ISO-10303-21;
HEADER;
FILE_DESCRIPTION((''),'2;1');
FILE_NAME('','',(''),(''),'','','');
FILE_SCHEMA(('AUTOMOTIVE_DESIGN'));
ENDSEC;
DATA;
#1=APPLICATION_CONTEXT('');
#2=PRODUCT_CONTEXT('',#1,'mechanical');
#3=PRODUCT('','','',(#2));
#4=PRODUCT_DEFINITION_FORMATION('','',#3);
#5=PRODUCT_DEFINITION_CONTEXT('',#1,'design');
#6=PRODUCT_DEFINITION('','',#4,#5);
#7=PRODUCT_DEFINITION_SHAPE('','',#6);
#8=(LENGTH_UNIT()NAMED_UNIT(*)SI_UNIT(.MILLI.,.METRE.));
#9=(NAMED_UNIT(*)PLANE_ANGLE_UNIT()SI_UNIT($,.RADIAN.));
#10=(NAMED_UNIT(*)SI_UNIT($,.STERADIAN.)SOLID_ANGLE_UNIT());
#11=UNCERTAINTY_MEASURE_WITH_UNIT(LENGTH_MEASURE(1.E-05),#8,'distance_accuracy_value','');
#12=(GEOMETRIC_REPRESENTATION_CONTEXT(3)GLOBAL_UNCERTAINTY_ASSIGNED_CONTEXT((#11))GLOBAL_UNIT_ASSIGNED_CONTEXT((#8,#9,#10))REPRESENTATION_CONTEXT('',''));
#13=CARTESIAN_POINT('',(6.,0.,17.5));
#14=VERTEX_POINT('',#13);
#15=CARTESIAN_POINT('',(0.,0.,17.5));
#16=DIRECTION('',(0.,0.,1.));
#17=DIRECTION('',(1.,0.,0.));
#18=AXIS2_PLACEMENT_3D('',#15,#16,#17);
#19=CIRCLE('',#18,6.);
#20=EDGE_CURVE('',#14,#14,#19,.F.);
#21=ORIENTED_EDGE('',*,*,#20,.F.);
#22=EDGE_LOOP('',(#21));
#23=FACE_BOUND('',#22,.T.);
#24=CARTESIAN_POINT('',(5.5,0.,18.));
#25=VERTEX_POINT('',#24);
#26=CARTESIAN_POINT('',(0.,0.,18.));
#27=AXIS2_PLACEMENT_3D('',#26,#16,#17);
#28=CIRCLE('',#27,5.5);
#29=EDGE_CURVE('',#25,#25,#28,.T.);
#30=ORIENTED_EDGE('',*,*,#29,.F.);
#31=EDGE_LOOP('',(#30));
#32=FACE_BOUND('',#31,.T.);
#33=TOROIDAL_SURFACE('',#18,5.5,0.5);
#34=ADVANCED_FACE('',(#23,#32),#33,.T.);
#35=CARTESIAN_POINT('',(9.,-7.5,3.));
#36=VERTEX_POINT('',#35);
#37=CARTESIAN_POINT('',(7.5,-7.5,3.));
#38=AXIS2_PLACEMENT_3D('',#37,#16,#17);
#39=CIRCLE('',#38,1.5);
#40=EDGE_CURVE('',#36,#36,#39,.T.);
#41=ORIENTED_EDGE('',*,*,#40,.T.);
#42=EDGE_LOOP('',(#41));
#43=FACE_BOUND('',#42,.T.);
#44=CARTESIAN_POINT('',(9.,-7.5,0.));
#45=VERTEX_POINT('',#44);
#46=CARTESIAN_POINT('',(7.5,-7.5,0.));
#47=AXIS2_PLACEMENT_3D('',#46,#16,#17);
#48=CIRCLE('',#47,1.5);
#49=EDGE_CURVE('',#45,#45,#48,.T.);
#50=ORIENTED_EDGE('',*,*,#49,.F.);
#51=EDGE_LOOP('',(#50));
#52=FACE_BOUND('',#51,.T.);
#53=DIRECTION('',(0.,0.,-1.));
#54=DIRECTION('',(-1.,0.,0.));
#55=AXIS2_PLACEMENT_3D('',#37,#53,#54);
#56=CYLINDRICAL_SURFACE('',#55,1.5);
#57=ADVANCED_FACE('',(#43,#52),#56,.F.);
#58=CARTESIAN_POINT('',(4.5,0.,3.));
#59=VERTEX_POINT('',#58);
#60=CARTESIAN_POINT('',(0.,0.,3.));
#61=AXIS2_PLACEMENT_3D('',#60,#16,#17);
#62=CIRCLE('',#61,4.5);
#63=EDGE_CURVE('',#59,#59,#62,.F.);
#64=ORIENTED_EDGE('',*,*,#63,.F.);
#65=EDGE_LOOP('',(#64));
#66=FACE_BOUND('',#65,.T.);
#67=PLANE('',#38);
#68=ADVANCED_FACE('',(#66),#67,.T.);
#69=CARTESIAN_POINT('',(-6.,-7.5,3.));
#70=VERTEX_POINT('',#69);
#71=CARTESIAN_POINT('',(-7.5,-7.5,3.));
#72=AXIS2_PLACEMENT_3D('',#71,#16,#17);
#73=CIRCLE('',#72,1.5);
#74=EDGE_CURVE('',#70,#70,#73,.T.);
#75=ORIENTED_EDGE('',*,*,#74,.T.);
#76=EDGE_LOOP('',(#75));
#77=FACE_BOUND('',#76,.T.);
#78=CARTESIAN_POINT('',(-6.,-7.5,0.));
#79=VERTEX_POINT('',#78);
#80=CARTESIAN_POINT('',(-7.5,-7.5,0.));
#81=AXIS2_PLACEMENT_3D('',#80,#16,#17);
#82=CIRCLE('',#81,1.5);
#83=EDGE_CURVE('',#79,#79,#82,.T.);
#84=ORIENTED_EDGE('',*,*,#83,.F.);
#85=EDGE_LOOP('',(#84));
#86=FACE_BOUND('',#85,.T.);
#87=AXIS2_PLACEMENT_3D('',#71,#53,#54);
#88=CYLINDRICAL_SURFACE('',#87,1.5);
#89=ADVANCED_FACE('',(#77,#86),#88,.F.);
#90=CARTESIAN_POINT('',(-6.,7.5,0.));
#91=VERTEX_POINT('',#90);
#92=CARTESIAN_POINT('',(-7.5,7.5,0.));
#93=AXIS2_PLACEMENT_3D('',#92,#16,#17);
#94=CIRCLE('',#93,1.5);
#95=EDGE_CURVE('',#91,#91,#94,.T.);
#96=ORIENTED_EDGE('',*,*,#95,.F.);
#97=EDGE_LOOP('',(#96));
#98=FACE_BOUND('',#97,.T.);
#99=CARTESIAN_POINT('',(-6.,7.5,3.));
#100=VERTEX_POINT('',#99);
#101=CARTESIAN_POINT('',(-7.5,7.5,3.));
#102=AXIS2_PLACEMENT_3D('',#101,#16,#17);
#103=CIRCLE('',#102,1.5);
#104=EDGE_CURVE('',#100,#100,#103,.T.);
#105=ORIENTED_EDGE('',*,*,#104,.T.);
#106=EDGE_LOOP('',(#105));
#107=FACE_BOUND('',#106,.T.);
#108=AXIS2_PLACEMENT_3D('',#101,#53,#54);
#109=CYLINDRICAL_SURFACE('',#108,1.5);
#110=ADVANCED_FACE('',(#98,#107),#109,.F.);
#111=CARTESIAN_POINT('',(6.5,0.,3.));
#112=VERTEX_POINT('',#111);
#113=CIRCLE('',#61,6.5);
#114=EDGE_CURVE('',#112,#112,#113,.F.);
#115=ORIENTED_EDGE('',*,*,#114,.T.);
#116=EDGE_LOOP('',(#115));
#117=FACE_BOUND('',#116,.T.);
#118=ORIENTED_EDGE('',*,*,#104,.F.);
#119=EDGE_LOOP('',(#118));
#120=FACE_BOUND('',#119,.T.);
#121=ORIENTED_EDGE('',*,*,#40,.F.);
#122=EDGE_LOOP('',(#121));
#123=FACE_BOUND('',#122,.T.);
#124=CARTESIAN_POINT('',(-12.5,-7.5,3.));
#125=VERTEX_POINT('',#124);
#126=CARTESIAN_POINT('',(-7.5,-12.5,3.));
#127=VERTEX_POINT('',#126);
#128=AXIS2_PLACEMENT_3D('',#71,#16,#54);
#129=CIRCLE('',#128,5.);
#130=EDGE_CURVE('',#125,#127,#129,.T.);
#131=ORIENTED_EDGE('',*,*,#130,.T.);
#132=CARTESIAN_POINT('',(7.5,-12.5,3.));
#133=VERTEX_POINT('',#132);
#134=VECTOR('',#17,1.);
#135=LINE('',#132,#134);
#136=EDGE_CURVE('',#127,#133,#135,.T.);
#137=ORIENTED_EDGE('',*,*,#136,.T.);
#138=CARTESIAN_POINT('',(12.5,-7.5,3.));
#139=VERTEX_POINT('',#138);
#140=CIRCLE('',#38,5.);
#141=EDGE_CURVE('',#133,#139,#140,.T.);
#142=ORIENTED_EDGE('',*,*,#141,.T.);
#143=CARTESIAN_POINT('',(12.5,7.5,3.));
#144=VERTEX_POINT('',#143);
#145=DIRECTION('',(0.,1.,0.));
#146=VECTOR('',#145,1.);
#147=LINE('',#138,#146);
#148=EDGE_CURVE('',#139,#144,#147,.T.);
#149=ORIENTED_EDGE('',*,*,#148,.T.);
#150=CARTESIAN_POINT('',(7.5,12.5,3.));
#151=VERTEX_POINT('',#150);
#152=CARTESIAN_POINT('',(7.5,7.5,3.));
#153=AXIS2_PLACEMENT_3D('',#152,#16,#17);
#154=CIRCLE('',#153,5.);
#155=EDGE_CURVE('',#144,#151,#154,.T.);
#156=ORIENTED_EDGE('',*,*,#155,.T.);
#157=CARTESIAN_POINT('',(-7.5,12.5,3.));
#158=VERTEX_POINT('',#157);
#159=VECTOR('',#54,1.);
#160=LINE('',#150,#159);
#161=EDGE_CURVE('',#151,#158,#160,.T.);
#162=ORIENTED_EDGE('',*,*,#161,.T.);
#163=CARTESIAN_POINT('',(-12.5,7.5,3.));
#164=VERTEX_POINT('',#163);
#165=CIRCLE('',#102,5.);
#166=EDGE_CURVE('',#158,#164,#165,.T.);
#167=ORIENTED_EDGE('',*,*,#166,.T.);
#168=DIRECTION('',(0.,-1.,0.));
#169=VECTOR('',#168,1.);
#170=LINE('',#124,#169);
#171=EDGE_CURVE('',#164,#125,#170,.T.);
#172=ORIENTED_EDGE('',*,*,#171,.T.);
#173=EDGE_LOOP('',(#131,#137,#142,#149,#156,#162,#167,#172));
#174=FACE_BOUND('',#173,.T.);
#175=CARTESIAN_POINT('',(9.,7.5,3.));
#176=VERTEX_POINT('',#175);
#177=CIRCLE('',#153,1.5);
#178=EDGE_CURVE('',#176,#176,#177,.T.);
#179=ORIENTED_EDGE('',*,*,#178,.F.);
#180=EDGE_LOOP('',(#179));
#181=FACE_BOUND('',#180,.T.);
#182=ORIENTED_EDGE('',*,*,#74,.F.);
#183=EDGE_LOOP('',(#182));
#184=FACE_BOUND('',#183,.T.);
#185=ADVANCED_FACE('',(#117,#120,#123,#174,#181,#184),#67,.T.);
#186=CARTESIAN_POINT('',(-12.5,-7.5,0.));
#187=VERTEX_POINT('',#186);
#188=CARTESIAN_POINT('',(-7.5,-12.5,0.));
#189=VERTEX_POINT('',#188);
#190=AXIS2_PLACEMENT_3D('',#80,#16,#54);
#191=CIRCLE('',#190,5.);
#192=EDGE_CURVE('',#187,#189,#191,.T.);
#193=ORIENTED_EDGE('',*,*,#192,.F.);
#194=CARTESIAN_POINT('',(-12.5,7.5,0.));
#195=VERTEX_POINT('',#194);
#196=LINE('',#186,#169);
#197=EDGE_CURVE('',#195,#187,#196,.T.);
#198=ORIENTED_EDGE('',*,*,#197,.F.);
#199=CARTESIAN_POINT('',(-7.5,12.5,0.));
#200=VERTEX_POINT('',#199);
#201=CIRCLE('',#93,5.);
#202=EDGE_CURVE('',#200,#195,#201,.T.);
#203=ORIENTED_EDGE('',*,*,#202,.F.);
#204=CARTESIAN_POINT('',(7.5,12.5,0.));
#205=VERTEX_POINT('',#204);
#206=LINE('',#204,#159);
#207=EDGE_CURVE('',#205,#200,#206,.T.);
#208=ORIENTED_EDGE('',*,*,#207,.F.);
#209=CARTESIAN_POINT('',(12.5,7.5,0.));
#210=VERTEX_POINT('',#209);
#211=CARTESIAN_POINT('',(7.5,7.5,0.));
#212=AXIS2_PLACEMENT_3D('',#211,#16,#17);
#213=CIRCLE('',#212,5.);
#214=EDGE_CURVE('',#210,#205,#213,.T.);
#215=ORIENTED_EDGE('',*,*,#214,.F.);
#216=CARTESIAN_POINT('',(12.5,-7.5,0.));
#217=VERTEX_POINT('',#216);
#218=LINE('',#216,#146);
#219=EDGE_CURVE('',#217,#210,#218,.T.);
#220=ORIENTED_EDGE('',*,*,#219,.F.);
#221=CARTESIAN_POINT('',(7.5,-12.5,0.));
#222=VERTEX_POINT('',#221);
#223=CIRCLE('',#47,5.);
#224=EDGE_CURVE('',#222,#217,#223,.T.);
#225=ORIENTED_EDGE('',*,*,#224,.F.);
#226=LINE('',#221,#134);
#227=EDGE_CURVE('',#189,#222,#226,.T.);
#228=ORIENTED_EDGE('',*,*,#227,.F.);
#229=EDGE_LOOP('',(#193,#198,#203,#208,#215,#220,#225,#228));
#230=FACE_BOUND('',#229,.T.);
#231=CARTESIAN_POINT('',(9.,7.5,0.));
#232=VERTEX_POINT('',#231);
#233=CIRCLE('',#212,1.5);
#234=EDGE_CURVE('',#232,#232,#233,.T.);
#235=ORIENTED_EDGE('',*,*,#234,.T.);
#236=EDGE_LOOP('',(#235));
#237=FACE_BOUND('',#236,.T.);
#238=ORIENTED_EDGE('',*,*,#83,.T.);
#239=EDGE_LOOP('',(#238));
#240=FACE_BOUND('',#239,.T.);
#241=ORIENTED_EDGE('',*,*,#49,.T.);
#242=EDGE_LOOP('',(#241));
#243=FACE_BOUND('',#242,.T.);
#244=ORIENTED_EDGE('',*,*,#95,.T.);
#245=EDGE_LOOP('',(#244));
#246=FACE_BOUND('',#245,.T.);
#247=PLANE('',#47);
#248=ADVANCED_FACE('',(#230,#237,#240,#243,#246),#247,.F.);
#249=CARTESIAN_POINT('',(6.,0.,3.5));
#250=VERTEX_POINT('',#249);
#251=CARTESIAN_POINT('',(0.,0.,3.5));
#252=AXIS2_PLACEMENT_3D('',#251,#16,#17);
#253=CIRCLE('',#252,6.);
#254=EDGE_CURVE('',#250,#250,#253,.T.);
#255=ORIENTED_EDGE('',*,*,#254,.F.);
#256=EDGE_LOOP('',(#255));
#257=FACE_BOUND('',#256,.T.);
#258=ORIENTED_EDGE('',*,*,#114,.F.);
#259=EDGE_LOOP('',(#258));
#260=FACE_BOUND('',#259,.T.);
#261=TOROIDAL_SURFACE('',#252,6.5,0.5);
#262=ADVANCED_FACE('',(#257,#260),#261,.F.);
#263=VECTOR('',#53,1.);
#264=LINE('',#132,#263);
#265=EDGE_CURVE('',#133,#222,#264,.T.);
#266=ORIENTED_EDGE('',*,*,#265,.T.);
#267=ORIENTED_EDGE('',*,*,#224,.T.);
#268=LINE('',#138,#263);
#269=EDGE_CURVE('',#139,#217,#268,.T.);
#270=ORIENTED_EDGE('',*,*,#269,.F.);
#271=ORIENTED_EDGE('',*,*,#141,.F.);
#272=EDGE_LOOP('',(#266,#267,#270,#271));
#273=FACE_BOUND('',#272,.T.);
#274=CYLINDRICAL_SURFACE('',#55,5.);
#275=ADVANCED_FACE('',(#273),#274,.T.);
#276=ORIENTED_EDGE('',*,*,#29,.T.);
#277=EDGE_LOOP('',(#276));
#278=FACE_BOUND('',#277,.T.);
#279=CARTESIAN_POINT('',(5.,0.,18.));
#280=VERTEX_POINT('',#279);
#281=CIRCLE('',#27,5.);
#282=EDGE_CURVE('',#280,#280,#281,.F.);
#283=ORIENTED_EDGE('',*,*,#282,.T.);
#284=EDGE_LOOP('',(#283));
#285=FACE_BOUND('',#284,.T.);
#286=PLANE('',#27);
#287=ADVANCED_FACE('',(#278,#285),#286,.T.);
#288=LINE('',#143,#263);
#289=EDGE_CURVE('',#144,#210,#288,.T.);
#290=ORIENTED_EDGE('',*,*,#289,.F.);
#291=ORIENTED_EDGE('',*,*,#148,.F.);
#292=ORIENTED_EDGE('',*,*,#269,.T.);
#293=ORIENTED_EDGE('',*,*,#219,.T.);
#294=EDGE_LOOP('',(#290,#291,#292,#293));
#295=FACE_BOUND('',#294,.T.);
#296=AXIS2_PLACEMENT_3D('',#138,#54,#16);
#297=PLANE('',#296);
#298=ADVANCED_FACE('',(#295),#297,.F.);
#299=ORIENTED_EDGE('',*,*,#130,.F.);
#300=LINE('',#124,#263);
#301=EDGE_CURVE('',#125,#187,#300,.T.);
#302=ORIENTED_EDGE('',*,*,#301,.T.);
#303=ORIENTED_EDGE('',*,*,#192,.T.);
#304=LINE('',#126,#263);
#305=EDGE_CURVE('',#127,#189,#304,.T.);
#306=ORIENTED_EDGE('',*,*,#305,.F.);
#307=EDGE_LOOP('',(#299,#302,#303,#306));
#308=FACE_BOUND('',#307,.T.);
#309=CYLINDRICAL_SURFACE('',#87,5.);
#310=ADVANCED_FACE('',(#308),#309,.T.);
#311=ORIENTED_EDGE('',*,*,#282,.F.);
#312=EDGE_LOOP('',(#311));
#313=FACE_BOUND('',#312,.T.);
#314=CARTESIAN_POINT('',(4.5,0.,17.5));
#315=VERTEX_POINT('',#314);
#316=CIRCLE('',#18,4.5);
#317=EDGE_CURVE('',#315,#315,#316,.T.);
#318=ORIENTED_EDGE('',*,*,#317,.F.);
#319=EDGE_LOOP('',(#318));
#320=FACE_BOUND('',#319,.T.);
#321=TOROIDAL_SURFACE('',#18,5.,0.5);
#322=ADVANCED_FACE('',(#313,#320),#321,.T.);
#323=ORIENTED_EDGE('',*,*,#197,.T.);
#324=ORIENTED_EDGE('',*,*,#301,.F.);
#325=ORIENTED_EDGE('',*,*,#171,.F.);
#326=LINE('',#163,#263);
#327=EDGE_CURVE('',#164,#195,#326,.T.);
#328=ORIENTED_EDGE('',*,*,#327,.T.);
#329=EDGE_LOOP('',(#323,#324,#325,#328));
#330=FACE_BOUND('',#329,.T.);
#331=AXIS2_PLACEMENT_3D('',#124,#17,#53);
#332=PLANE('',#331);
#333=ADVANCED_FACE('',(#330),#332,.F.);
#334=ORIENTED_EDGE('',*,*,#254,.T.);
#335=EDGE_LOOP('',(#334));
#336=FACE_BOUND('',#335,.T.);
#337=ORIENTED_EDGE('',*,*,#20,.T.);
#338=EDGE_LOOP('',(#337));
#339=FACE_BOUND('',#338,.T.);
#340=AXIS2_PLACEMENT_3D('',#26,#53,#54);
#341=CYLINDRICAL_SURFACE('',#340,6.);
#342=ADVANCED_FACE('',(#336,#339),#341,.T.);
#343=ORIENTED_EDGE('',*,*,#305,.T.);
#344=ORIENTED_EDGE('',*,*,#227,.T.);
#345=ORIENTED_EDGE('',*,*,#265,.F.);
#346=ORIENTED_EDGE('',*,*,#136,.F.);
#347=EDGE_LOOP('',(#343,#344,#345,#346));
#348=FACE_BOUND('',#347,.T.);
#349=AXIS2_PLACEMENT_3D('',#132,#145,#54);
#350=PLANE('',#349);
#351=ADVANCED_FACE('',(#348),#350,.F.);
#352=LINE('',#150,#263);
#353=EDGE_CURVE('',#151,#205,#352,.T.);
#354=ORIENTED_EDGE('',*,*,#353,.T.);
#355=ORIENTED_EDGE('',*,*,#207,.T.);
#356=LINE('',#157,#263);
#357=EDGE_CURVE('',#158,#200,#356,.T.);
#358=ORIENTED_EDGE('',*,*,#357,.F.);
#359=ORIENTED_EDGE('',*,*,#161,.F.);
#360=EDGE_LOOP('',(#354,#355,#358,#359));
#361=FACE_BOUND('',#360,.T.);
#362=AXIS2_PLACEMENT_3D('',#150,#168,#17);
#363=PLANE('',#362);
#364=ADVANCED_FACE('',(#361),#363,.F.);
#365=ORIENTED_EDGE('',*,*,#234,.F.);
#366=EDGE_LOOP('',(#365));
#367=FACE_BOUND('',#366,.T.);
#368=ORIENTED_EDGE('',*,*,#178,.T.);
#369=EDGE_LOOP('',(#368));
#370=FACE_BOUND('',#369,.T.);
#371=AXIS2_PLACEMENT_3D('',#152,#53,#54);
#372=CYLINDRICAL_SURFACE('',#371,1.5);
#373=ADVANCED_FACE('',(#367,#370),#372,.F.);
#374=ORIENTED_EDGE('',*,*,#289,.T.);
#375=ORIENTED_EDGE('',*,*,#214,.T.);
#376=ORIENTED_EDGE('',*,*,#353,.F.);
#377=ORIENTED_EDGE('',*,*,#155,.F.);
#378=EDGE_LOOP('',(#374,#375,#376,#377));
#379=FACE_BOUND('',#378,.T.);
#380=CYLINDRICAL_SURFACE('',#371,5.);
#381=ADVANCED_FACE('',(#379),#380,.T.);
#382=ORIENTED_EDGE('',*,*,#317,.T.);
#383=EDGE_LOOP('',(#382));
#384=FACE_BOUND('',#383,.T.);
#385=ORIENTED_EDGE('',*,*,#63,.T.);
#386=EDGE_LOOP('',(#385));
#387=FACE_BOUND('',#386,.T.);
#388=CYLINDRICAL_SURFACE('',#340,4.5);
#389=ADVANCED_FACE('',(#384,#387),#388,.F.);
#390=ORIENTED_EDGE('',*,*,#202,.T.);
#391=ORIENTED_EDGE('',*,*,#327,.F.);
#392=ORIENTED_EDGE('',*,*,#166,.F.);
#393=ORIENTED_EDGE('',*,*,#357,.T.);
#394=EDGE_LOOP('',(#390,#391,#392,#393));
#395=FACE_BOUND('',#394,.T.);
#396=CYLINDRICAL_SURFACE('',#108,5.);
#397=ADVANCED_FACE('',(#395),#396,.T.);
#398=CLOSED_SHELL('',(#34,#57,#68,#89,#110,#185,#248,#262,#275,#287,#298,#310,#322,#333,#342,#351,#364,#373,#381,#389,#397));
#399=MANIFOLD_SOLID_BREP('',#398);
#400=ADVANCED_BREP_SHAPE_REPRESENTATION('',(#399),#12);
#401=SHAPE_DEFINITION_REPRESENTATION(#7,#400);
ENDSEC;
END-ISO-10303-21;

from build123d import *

# Parameters (mm, degrees)
ESQUISSE1_R        = 1.5
BOSS_EXTRU_1_DEPTH = 3
ESQUISSE2_R        = 6
ESQUISSE2_R_2      = 4.5
BOSS_EXTRU_2_DEPTH = 15
CONG_1_R           = 0.5


with BuildPart() as part:
    # Esquisse1 → Boss.-Extru.1 (new body)
    with BuildSketch(Plane.XY):
        with BuildLine():
            Line((7.5, -12.5), (-7.5, -12.5))
            ThreePointArc((-7.5, -12.5), (-11.035533906, -11.035533906), (-12.5, -7.5))
            Line((-12.5, -7.5), (-12.5, 7.5))
            ThreePointArc((-12.5, 7.5), (-11.035533906, 11.035533906), (-7.5, 12.5))
            Line((-7.5, 12.5), (7.5, 12.5))
            ThreePointArc((7.5, 12.5), (11.035533906, 11.035533906), (12.5, 7.5))
            Line((12.5, 7.5), (12.5, -7.5))
            ThreePointArc((12.5, -7.5), (11.035533906, -11.035533906), (7.5, -12.5))
        make_face()
        with Locations((-7.5, 7.5)):
            Circle(ESQUISSE1_R, mode=Mode.SUBTRACT)
        with Locations((7.5, 7.5)):
            Circle(ESQUISSE1_R, mode=Mode.SUBTRACT)
        with Locations((7.5, -7.5)):
            Circle(ESQUISSE1_R, mode=Mode.SUBTRACT)
        with Locations((-7.5, -7.5)):
            Circle(ESQUISSE1_R, mode=Mode.SUBTRACT)
    extrude(amount=BOSS_EXTRU_1_DEPTH)

    # Esquisse2 → Boss.-Extru.2 (add)
    with BuildSketch(Plane.XY.offset(3)):
        Circle(ESQUISSE2_R)
        Circle(ESQUISSE2_R_2, mode=Mode.SUBTRACT)
    extrude(amount=BOSS_EXTRU_2_DEPTH)

    # Congé1
    cong_1_edges = [part.edges().sort_by_distance(p)[0] for p in [
        (-6, 0, 18),
        (-6, 0, 3),
        (-4.5, 0, 18),
    ]]
    fillet(cong_1_edges, radius=CONG_1_R)


solid = part.part
